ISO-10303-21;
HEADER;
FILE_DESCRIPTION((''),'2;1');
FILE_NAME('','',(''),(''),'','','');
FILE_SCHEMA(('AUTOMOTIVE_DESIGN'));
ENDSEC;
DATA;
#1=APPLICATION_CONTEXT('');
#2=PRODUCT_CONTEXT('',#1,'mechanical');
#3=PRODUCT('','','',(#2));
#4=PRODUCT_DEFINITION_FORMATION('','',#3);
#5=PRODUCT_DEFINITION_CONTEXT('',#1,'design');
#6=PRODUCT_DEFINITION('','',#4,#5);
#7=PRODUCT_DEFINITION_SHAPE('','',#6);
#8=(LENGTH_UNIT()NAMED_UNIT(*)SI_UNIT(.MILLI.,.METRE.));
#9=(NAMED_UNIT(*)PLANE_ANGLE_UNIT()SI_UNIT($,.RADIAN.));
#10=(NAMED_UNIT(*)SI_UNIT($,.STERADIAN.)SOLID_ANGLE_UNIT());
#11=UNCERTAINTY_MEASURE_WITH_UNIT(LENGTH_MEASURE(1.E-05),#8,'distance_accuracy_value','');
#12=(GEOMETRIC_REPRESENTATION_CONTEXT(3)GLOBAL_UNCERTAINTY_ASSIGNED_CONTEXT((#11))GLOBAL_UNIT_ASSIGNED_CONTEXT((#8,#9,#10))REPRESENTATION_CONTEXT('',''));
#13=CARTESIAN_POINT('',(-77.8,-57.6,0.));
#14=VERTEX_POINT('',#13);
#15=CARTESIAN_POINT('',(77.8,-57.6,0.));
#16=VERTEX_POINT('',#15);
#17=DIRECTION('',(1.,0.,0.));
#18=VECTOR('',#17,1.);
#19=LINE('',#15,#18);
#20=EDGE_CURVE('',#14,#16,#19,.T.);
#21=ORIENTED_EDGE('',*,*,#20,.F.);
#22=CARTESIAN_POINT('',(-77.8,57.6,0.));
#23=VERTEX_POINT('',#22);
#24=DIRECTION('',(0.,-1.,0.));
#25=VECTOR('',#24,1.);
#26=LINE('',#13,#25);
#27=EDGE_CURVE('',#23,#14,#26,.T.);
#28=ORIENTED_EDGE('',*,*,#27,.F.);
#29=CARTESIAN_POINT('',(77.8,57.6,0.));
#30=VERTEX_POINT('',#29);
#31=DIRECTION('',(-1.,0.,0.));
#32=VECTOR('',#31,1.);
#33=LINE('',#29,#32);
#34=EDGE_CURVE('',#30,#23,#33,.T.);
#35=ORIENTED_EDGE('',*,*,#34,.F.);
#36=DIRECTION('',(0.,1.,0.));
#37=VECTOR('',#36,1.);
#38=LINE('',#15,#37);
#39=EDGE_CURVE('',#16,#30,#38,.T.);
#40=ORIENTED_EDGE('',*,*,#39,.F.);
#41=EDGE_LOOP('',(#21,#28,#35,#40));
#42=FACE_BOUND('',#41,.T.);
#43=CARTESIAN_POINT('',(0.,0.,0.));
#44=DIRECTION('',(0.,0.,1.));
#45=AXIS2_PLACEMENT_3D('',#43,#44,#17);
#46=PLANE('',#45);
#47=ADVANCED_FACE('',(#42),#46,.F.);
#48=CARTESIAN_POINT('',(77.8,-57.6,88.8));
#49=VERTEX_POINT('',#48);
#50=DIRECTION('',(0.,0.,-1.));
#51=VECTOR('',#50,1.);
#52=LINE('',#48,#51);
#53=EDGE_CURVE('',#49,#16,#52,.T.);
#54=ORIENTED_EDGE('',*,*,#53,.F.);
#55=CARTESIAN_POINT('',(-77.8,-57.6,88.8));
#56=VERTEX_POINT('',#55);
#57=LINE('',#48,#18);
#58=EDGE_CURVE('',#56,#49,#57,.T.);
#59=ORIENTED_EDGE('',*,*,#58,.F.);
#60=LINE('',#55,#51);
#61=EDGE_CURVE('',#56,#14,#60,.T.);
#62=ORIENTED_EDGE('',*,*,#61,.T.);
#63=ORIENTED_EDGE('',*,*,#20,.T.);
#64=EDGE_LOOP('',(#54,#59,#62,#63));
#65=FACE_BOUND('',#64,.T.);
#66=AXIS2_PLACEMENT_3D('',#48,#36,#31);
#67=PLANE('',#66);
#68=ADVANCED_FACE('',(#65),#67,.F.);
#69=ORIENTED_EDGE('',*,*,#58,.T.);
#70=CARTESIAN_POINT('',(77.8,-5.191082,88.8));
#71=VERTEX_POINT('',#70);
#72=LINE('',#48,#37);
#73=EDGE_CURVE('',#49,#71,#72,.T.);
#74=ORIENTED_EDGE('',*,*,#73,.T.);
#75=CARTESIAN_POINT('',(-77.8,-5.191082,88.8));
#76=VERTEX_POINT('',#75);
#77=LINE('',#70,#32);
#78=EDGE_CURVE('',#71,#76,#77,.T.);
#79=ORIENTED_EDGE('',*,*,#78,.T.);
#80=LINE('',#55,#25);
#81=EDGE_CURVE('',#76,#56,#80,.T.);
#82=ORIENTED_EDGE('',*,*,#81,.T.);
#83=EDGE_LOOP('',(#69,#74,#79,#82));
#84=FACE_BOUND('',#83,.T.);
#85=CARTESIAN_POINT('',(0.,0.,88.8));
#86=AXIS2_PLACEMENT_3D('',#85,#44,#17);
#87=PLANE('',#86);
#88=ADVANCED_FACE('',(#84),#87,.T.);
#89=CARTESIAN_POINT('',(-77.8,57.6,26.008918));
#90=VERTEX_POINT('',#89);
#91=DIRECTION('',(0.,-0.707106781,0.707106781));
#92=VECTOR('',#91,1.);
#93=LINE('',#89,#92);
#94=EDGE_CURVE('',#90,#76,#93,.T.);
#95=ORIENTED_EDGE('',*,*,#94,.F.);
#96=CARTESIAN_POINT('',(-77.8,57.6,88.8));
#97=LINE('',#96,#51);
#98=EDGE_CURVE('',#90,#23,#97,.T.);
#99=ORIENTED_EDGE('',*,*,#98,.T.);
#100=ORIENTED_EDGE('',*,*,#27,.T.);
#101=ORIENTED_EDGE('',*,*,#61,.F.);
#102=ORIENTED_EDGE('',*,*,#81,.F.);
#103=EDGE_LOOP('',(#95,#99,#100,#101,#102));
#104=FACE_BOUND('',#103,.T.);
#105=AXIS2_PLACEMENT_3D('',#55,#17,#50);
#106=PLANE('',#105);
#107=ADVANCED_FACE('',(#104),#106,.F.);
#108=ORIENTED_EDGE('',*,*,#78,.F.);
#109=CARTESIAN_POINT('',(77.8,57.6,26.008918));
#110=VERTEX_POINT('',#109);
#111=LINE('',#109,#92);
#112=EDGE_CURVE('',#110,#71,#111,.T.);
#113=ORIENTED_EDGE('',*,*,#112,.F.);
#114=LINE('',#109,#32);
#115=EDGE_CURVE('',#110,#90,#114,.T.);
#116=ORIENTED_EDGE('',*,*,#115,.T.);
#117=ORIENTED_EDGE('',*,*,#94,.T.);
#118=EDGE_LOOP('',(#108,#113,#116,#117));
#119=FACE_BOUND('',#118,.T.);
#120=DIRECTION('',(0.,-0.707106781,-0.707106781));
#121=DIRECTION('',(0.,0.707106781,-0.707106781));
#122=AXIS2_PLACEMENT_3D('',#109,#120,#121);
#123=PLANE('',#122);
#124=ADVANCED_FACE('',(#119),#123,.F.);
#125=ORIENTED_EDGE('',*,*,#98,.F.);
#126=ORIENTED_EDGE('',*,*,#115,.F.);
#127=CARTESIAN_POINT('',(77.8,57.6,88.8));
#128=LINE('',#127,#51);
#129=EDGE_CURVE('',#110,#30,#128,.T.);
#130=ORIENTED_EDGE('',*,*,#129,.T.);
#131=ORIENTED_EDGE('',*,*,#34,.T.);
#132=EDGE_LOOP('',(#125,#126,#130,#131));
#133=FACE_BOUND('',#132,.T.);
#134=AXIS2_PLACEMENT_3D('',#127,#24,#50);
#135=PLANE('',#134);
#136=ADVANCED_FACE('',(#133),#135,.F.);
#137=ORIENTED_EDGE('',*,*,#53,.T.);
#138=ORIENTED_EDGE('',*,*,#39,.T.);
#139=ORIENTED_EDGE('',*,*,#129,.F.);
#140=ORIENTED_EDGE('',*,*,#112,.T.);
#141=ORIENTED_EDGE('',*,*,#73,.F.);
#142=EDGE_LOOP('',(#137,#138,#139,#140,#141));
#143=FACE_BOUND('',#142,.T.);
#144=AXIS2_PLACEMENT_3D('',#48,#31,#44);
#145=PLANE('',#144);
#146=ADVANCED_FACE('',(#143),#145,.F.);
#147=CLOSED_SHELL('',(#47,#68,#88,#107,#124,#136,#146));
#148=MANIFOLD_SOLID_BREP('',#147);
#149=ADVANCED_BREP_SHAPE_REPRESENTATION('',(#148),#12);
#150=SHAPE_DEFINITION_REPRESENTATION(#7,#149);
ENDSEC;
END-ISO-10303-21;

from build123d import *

# Parameters (mm, degrees)
SKIZZE1_W                       = 155.6
SKIZZE1_H                       = 115.2
AUFSATZ_LINEAR_AUSTRAGEN1_DEPTH = 88.8
SCHNITT_LINEAR_AUSTRAGEN1_DEPTH = 189.187566008


with BuildPart() as part:
    # Skizze1 → Aufsatz-Linear austragen1 (new body)
    with BuildSketch(Plane.XY):
        Rectangle(SKIZZE1_W, SKIZZE1_H)
    extrude(amount=AUFSATZ_LINEAR_AUSTRAGEN1_DEPTH)

    # Skizze6 → Schnitt-Linear austragen1 (cut, through all)
    with BuildSketch(Plane.ZY.offset(77.8)):
        Polygon((26.008917831, 57.6), (88.8, -5.191082169), (88.8, 57.6), align=None)
    extrude(amount=-SCHNITT_LINEAR_AUSTRAGEN1_DEPTH, mode=Mode.SUBTRACT)


solid = part.part
